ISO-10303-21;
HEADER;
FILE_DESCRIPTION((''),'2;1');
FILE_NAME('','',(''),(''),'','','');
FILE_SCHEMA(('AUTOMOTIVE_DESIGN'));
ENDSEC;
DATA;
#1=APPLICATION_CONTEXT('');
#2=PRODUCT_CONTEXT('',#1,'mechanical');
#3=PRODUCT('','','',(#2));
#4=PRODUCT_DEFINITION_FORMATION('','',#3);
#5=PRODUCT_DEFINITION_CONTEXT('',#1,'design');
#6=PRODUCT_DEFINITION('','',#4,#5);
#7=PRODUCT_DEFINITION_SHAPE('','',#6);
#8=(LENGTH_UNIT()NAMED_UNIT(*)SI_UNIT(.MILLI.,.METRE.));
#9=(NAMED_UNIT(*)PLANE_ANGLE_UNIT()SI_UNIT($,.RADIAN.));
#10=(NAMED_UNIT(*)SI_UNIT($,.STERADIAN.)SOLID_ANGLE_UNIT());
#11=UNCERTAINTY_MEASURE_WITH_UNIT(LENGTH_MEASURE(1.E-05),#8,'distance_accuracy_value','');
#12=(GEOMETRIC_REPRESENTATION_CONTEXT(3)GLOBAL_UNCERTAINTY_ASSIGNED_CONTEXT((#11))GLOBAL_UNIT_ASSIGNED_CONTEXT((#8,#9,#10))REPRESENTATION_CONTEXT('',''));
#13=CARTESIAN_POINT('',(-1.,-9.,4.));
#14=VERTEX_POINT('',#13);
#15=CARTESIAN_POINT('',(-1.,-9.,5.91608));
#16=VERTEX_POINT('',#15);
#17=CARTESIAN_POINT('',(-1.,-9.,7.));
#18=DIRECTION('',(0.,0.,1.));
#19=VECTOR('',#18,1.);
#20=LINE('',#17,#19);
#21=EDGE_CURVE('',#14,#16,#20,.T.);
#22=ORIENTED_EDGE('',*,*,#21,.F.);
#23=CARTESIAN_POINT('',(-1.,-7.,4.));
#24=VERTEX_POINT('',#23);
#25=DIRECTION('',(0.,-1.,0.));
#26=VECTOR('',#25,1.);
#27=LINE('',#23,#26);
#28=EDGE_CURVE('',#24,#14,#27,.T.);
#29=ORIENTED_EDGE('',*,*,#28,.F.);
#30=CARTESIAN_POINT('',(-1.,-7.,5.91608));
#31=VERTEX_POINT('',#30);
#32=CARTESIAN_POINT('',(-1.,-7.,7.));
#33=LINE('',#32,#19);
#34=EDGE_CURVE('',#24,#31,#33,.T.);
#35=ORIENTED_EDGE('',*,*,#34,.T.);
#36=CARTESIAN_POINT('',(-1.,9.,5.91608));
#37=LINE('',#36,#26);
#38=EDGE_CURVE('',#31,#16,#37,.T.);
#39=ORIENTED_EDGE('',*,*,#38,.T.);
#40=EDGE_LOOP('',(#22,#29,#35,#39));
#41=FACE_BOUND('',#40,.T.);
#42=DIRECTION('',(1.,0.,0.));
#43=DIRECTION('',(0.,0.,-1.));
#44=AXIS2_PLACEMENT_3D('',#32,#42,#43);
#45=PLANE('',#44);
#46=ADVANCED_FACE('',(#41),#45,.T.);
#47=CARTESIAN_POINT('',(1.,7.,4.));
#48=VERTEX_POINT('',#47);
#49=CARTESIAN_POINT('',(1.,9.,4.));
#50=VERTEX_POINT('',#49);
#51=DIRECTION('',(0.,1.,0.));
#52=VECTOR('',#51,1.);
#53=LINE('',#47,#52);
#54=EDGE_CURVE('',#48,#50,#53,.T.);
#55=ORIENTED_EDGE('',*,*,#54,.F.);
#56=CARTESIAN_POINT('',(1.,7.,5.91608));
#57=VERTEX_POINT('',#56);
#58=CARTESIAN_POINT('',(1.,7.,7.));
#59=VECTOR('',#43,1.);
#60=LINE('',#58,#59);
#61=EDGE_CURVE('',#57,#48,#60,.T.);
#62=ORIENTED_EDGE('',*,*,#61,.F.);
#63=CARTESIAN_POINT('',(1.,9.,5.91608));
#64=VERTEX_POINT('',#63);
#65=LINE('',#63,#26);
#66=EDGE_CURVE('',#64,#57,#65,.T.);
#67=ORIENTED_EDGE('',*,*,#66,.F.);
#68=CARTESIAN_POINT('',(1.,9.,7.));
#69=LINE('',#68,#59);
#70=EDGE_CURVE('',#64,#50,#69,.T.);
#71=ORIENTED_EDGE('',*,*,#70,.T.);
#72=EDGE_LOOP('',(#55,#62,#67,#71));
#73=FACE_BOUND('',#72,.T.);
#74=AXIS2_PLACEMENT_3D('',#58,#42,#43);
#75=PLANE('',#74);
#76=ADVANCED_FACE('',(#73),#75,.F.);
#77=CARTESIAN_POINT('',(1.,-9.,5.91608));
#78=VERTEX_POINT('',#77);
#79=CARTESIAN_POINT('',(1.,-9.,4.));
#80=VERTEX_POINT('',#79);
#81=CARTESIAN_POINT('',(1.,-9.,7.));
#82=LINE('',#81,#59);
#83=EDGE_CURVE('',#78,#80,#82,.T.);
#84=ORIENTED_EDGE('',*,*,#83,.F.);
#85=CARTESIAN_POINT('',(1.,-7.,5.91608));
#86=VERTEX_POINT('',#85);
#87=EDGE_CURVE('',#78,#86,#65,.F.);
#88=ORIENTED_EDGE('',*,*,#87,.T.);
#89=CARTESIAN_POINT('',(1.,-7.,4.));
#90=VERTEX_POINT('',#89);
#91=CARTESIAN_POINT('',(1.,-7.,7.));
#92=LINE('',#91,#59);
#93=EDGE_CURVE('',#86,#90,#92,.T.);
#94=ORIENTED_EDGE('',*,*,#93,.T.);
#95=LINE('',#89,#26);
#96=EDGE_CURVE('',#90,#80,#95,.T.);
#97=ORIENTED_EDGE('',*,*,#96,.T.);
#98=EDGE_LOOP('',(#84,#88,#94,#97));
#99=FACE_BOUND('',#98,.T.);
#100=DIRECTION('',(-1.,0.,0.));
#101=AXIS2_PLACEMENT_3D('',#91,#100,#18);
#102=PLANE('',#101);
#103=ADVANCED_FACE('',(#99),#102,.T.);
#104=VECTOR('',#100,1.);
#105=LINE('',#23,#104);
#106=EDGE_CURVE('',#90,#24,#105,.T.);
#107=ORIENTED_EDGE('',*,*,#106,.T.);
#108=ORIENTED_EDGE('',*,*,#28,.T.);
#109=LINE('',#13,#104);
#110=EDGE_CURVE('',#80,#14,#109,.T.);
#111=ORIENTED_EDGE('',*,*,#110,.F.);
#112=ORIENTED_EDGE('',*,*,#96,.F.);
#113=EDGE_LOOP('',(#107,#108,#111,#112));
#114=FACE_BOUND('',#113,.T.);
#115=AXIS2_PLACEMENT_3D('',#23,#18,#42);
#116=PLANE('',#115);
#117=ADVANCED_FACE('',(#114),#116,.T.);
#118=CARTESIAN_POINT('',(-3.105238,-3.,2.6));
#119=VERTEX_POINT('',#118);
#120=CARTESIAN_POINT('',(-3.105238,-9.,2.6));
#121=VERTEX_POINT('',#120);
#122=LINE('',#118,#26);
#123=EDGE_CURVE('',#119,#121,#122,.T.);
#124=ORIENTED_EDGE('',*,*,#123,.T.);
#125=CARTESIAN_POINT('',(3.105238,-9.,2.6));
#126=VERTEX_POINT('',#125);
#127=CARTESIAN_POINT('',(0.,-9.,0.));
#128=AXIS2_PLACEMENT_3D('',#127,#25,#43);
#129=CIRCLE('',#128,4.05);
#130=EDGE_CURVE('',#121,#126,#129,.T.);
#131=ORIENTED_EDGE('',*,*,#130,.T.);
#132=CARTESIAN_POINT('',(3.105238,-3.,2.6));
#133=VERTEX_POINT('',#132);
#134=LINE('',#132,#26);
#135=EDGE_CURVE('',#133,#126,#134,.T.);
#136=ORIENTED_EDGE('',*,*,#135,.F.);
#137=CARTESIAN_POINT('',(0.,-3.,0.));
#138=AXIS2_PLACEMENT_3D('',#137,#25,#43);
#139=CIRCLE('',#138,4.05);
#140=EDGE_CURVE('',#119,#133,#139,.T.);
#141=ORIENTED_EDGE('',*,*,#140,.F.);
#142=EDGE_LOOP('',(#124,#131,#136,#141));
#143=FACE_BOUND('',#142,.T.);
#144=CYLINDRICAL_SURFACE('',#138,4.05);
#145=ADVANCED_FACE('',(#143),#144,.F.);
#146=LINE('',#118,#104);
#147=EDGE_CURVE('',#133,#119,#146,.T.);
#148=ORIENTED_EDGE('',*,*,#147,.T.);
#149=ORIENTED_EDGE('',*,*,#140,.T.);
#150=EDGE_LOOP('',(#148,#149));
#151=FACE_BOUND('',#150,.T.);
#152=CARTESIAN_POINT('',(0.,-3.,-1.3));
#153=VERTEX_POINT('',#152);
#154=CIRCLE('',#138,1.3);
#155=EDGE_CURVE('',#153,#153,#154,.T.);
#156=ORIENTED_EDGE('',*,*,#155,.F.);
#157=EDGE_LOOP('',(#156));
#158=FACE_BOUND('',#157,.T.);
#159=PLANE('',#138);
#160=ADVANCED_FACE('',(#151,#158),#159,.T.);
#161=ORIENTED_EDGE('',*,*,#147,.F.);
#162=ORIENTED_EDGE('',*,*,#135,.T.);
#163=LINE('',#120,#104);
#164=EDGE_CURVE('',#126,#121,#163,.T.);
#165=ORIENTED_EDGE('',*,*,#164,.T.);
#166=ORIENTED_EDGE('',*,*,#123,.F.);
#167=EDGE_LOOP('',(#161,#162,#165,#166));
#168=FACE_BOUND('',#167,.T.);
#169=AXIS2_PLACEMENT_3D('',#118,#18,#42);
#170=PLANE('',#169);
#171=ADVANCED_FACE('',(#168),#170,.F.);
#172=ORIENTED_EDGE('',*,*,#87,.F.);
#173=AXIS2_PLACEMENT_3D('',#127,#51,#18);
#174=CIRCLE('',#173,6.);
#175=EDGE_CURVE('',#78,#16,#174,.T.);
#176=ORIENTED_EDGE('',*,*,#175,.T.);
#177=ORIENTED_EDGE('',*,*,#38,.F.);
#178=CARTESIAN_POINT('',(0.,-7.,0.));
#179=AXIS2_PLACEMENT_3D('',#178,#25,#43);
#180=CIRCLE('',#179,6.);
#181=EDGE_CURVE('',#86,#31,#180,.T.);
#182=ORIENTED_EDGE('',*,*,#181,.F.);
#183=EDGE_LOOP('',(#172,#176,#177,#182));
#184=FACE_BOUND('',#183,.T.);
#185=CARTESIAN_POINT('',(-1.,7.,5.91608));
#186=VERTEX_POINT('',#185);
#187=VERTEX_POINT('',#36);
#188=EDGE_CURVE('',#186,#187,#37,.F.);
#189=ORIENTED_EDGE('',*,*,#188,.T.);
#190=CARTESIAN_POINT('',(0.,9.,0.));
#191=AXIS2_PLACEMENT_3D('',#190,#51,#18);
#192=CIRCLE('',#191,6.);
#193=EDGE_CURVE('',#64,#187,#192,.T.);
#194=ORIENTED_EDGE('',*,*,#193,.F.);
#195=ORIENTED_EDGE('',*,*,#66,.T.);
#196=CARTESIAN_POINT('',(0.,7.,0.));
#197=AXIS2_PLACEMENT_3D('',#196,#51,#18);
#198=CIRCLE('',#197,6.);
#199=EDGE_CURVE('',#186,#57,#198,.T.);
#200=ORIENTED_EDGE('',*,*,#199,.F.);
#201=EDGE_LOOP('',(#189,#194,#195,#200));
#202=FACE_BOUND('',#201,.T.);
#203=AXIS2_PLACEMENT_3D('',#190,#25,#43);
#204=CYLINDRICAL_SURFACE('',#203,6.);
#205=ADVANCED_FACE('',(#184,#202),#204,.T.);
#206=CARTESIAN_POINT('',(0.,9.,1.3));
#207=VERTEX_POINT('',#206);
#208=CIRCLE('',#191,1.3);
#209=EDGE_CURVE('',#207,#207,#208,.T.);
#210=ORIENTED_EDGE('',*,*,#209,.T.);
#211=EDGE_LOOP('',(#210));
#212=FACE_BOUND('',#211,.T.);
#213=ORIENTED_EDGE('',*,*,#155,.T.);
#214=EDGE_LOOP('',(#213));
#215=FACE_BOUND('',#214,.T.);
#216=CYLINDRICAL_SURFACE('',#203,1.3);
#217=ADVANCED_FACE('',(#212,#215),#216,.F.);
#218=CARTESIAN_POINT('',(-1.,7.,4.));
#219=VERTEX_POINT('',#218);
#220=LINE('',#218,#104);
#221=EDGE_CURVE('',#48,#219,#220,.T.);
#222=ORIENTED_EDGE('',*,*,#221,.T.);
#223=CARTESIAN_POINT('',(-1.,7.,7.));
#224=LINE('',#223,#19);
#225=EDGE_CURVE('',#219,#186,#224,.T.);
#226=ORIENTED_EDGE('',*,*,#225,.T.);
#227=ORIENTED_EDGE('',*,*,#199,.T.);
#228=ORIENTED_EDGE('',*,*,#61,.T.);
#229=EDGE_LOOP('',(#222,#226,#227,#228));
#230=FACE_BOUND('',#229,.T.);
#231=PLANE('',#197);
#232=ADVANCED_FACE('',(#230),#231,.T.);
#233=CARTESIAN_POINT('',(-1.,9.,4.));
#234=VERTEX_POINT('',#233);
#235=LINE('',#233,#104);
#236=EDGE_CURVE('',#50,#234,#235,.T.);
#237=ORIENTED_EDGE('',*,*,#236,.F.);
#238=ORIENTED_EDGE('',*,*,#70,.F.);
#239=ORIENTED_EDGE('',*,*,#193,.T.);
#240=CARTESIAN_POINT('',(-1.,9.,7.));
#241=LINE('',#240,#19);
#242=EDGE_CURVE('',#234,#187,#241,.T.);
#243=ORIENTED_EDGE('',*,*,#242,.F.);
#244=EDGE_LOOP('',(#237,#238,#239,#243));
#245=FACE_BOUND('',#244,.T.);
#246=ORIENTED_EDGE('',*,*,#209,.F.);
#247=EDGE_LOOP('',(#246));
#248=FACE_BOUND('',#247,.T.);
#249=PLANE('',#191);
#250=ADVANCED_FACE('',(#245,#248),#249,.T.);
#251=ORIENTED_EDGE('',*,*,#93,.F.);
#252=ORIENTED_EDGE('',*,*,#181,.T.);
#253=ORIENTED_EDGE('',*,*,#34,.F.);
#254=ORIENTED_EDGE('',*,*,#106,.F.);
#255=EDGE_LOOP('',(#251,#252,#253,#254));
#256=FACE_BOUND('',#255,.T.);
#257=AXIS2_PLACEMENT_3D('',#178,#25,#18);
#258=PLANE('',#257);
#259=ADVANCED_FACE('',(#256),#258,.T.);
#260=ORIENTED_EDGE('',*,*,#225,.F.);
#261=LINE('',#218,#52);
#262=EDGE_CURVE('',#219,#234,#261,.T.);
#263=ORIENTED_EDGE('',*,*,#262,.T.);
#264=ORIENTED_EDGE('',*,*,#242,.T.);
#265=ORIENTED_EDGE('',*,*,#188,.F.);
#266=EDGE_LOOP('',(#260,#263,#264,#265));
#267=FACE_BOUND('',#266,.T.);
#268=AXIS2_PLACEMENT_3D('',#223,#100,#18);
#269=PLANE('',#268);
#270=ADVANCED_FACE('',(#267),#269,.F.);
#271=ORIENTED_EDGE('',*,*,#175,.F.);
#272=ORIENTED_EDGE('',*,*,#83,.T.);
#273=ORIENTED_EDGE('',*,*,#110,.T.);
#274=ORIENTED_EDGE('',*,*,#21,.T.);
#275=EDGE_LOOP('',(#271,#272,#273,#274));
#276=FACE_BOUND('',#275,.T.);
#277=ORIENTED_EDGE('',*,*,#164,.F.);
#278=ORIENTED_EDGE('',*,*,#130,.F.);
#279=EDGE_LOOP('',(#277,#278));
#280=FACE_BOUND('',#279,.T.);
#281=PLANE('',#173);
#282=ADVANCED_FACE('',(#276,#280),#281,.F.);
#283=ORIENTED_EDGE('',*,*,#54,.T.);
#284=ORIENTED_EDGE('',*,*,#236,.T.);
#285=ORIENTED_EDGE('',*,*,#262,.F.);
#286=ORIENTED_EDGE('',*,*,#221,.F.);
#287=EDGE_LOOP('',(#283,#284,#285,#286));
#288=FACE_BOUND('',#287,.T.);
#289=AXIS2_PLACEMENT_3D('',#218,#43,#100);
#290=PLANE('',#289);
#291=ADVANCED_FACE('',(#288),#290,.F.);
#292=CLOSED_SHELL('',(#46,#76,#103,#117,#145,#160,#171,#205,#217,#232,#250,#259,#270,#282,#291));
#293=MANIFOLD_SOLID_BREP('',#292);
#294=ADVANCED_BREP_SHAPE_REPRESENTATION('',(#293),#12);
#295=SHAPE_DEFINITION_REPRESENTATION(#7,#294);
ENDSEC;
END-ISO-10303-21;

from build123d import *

# Parameters (mm, degrees)
ESBO_O2_R                = 6
ESBO_O2_R_2              = 1.3
RESSALTO_EXTRUS_O1_DEPTH = 9
CORTE_EXTRUS_O1_DEPTH    = 6
ESBO_O4_W                = 2
ESBO_O4_H                = 3
CORTE_EXTRUS_O2_DEPTH    = 2


with BuildPart() as part:
    # Esboço2 → Ressalto-extrusão1 (new, symmetric)
    with BuildSketch(Plane(origin=(0, 0, 0), x_dir=(1, 0, 0), z_dir=(0, 1, 0))):
        with Locations(Location((0, 0, 0), (0, 0, 270))):
            Circle(ESBO_O2_R)
        with Locations(Location((0, 0, 0), (0, 0, 270))):
            Circle(ESBO_O2_R_2, mode=Mode.SUBTRACT)
    extrude(amount=RESSALTO_EXTRUS_O1_DEPTH, both=True)

    # Esboço3 → Corte-extrusão1 (cut)
    with BuildSketch(Plane.XZ.offset(9)):
        with BuildLine():
            Line((-3.105237511, 2.6), (3.105237511, 2.6))
            ThreePointArc((3.105237511, 2.6), (0, -4.05), (-3.105237511, 2.6))
        make_face()
    extrude(amount=-CORTE_EXTRUS_O1_DEPTH, mode=Mode.SUBTRACT)

    # Esboço4 → Corte-extrusão2 (cut)
    with BuildSketch(Plane(origin=(0, 9, 0), x_dir=(1, 0, 0), z_dir=(0, 1, 0))):
        with Locations((0, -5.5)):
            Rectangle(ESBO_O4_W, ESBO_O4_H)
    corte_extrus_o2 = extrude(amount=-CORTE_EXTRUS_O2_DEPTH, mode=Mode.SUBTRACT)

    # Espelhar1: Corte-extrusão2 across plane
    add(corte_extrus_o2.mirror(Plane.ZX), mode=Mode.SUBTRACT)


solid = part.part
